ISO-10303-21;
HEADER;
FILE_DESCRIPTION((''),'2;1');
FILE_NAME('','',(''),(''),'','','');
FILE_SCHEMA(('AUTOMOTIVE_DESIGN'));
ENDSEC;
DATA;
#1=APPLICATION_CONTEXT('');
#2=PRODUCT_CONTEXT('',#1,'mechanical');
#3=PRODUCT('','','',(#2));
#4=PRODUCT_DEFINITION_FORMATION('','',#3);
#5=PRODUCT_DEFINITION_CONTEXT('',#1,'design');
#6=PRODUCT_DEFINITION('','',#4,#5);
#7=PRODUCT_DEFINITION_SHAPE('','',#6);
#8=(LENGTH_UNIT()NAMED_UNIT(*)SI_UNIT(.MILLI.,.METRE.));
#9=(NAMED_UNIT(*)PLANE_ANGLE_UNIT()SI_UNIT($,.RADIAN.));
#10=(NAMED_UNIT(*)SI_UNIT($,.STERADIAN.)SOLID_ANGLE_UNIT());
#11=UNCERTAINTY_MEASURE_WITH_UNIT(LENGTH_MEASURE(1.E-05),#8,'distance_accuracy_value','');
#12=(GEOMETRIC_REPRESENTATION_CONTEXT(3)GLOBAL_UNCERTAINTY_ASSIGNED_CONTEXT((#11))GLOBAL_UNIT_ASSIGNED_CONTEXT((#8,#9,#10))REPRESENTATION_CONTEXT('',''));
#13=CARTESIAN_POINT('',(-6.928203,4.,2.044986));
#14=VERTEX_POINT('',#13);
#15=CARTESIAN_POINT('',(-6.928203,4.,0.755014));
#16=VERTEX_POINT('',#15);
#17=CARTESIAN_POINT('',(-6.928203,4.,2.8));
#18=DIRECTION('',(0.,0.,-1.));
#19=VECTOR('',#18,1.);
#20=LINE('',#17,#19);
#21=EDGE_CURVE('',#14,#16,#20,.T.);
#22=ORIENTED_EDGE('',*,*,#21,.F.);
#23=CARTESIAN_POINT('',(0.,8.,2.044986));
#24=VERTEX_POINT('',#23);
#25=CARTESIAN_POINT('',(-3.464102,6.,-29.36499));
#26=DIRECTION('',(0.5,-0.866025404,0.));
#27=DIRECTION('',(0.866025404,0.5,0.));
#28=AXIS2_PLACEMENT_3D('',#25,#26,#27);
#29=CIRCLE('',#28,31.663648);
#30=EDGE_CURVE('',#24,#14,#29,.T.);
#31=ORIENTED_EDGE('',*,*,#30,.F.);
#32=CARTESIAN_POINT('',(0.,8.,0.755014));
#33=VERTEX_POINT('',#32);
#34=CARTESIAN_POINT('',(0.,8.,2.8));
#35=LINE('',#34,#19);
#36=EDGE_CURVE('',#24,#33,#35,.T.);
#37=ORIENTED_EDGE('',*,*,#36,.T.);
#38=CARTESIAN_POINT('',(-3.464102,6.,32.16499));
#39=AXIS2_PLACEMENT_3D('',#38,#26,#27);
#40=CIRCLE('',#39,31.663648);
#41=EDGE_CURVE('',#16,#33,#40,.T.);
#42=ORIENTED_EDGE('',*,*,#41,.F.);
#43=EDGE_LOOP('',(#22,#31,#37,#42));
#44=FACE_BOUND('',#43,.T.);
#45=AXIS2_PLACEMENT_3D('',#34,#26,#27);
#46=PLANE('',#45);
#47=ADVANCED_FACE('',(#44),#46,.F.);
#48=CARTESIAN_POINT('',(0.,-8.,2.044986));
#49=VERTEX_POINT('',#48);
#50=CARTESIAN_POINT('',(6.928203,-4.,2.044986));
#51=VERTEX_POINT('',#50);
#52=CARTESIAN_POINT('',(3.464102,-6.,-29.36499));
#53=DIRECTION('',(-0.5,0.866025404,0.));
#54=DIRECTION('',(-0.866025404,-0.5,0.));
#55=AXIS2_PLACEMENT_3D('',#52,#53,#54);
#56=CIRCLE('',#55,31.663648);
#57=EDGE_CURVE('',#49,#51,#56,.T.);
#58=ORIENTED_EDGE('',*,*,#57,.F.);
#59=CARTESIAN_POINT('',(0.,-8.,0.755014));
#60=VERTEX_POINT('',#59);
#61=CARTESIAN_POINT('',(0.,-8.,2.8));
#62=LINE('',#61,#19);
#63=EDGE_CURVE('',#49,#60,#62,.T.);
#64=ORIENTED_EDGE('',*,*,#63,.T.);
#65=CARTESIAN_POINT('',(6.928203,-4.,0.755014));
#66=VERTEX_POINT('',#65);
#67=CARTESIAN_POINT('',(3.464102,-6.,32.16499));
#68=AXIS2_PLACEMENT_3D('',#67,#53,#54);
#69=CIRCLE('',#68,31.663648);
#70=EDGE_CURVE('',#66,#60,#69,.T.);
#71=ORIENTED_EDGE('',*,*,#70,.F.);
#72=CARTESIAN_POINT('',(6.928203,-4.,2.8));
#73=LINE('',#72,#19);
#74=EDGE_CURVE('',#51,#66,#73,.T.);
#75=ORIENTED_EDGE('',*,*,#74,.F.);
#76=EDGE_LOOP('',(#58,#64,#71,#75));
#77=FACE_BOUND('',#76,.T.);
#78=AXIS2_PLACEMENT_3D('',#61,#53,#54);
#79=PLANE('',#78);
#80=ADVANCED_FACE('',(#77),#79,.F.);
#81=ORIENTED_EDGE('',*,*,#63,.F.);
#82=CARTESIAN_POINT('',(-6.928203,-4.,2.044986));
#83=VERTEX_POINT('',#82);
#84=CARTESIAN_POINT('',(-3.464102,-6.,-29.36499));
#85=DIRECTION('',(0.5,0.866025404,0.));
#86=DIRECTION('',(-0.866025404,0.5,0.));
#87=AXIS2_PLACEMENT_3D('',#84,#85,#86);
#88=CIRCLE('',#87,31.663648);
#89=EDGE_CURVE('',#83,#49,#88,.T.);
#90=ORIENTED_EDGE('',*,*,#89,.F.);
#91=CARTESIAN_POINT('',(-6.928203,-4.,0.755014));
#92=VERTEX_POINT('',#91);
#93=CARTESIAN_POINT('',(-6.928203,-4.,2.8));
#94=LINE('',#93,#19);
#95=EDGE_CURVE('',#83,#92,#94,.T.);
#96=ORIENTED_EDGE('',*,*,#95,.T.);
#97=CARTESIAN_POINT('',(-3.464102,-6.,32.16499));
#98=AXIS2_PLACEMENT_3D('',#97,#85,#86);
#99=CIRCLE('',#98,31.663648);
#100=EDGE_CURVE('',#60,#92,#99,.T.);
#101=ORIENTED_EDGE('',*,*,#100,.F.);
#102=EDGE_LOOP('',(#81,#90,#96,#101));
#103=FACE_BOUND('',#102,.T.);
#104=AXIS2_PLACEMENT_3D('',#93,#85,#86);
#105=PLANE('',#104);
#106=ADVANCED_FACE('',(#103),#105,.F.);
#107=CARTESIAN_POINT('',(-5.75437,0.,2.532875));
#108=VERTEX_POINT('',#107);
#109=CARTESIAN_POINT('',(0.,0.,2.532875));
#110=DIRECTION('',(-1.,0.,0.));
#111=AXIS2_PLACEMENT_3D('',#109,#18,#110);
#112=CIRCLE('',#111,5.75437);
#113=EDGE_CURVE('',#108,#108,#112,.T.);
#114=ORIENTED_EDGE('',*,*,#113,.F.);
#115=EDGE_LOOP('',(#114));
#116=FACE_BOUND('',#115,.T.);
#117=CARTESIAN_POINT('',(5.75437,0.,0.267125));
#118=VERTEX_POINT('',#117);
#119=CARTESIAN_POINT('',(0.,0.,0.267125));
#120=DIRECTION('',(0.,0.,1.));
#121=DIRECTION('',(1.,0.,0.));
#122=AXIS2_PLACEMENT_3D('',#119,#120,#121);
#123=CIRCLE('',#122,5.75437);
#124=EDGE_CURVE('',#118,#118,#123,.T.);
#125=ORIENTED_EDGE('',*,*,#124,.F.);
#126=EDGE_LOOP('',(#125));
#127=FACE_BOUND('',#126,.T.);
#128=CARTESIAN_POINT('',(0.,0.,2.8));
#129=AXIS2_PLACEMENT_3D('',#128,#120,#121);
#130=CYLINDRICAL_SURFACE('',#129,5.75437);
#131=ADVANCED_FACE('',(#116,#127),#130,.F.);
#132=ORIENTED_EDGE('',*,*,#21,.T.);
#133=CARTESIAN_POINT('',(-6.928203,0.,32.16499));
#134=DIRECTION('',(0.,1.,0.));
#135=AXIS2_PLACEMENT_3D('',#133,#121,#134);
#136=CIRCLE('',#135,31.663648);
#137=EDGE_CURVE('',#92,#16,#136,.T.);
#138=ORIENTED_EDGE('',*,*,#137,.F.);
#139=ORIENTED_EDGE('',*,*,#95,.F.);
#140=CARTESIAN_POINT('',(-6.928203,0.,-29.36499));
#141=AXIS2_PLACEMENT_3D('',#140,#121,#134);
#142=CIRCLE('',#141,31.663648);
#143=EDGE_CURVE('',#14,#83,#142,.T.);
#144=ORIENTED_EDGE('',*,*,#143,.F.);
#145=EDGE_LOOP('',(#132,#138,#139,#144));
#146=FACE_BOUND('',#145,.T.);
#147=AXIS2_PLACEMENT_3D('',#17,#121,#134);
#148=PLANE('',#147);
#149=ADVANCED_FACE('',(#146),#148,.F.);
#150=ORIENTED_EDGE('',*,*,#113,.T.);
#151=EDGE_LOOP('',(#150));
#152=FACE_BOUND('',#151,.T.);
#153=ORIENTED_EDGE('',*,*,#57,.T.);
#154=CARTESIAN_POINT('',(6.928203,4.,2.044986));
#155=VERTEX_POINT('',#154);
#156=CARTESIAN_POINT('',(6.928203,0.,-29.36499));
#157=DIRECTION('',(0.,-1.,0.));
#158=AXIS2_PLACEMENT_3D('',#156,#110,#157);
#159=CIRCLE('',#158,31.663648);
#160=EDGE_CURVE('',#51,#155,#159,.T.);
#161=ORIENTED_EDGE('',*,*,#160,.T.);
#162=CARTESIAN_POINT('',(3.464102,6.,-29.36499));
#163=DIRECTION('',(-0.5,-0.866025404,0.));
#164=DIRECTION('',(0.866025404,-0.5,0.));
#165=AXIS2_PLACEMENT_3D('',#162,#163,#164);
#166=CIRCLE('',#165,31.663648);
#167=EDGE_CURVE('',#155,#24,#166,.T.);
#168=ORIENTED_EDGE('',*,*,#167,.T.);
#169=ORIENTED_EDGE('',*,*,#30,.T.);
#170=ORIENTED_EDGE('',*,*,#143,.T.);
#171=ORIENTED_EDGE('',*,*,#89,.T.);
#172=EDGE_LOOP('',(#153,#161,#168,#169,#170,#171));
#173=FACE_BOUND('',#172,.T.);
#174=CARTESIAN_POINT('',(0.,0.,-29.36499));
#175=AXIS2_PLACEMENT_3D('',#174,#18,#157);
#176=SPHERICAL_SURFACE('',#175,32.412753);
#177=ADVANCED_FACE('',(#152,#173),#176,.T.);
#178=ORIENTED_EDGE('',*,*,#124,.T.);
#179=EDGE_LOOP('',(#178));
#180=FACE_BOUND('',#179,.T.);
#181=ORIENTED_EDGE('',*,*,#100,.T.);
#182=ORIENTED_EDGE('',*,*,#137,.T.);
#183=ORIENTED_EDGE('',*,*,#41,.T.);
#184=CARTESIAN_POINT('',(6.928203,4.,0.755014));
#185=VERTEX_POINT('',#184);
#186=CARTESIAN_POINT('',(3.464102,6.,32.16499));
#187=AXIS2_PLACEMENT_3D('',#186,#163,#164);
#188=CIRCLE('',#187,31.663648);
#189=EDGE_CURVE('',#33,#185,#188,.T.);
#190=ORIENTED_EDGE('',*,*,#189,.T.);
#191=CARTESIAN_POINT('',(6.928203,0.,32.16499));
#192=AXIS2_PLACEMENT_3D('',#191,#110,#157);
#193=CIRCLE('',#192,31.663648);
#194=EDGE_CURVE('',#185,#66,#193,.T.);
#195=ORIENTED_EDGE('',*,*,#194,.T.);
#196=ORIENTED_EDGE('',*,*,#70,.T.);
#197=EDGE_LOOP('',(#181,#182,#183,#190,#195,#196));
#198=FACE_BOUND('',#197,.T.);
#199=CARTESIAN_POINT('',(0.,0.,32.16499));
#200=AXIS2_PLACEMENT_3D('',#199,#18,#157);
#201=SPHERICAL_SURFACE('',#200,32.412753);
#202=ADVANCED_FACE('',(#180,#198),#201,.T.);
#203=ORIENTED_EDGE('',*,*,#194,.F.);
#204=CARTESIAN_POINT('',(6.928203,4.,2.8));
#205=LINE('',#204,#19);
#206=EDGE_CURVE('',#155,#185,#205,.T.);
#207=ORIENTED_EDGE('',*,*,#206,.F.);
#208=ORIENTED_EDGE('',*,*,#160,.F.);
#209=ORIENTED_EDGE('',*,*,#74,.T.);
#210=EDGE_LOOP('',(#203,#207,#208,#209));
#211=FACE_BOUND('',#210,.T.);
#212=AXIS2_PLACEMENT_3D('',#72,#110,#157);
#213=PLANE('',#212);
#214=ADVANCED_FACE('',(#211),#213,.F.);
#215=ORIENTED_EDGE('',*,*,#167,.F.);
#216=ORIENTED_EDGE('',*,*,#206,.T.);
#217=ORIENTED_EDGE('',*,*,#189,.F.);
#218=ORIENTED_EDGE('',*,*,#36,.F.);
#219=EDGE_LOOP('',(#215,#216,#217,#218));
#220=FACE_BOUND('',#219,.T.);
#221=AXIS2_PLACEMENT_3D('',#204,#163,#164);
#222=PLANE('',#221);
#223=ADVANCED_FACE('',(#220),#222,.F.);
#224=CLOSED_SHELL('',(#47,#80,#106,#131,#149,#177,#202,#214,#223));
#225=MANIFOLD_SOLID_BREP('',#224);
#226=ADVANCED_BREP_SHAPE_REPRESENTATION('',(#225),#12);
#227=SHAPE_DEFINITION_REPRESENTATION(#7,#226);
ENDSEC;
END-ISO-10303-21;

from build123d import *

# Parameters (mm, degrees)
BOSS_EXTRUDE1_DEPTH     = 2.8
F_1_2_20_TAPPED_HOLE1_D = 11.50874


with BuildPart() as part:
    # Sketch1 → Boss-Extrude1 (new body)
    with BuildSketch(Plane.XY):
        Polygon((0, 8), (-6.92820323, 4), (-6.92820323, -4), (0, -8), (6.92820323, -4), (6.92820323, 4), align=None)
    extrude(amount=BOSS_EXTRUDE1_DEPTH)

    # 1/2-20 Tapped Hole1 (through all)
    with Locations(Plane.XY.offset(2.8)):
        with Locations((0, 0)):
            Hole(F_1_2_20_TAPPED_HOLE1_D / 2)

    # Sketch6 → Cut-Revolve4 (revolve, cut)
    with BuildSketch(Plane(origin=(0, 0, 0), x_dir=(0, 0, -1), z_dir=(1, 0, 0))):
        with BuildLine():
            Line((-3.556750554, -8.169183417), (-3.141854791, -1.510155907))
            Line((-3.141854791, -1.510155907), (-3.012564121, -1.510155907))
            ThreePointArc((-3.012564121, -1.510155907), (-2.693421742, -4.779625328), (-2.04498583, -8))
            ThreePointArc((-2.04498583, -8), (-2.70372151, -8.952660986), (-3.556750554, -8.169183417))
        make_face()
        with BuildLine():
            Line((0.212564121, -1.510155907), (0.341854791, -1.510155907))
            Line((0.341854791, -1.510155907), (0.756750554, -8.169183417))
            ThreePointArc((0.756750554, -8.169183417), (-0.09627849, -8.952660986), (-0.75501417, -8))
            ThreePointArc((-0.75501417, -8), (-0.106578258, -4.779625328), (0.212564121, -1.510155907))
        make_face()
    revolve(axis=Axis((0, 0, 0), (0, 0, 1)), mode=Mode.SUBTRACT)


solid = part.part
